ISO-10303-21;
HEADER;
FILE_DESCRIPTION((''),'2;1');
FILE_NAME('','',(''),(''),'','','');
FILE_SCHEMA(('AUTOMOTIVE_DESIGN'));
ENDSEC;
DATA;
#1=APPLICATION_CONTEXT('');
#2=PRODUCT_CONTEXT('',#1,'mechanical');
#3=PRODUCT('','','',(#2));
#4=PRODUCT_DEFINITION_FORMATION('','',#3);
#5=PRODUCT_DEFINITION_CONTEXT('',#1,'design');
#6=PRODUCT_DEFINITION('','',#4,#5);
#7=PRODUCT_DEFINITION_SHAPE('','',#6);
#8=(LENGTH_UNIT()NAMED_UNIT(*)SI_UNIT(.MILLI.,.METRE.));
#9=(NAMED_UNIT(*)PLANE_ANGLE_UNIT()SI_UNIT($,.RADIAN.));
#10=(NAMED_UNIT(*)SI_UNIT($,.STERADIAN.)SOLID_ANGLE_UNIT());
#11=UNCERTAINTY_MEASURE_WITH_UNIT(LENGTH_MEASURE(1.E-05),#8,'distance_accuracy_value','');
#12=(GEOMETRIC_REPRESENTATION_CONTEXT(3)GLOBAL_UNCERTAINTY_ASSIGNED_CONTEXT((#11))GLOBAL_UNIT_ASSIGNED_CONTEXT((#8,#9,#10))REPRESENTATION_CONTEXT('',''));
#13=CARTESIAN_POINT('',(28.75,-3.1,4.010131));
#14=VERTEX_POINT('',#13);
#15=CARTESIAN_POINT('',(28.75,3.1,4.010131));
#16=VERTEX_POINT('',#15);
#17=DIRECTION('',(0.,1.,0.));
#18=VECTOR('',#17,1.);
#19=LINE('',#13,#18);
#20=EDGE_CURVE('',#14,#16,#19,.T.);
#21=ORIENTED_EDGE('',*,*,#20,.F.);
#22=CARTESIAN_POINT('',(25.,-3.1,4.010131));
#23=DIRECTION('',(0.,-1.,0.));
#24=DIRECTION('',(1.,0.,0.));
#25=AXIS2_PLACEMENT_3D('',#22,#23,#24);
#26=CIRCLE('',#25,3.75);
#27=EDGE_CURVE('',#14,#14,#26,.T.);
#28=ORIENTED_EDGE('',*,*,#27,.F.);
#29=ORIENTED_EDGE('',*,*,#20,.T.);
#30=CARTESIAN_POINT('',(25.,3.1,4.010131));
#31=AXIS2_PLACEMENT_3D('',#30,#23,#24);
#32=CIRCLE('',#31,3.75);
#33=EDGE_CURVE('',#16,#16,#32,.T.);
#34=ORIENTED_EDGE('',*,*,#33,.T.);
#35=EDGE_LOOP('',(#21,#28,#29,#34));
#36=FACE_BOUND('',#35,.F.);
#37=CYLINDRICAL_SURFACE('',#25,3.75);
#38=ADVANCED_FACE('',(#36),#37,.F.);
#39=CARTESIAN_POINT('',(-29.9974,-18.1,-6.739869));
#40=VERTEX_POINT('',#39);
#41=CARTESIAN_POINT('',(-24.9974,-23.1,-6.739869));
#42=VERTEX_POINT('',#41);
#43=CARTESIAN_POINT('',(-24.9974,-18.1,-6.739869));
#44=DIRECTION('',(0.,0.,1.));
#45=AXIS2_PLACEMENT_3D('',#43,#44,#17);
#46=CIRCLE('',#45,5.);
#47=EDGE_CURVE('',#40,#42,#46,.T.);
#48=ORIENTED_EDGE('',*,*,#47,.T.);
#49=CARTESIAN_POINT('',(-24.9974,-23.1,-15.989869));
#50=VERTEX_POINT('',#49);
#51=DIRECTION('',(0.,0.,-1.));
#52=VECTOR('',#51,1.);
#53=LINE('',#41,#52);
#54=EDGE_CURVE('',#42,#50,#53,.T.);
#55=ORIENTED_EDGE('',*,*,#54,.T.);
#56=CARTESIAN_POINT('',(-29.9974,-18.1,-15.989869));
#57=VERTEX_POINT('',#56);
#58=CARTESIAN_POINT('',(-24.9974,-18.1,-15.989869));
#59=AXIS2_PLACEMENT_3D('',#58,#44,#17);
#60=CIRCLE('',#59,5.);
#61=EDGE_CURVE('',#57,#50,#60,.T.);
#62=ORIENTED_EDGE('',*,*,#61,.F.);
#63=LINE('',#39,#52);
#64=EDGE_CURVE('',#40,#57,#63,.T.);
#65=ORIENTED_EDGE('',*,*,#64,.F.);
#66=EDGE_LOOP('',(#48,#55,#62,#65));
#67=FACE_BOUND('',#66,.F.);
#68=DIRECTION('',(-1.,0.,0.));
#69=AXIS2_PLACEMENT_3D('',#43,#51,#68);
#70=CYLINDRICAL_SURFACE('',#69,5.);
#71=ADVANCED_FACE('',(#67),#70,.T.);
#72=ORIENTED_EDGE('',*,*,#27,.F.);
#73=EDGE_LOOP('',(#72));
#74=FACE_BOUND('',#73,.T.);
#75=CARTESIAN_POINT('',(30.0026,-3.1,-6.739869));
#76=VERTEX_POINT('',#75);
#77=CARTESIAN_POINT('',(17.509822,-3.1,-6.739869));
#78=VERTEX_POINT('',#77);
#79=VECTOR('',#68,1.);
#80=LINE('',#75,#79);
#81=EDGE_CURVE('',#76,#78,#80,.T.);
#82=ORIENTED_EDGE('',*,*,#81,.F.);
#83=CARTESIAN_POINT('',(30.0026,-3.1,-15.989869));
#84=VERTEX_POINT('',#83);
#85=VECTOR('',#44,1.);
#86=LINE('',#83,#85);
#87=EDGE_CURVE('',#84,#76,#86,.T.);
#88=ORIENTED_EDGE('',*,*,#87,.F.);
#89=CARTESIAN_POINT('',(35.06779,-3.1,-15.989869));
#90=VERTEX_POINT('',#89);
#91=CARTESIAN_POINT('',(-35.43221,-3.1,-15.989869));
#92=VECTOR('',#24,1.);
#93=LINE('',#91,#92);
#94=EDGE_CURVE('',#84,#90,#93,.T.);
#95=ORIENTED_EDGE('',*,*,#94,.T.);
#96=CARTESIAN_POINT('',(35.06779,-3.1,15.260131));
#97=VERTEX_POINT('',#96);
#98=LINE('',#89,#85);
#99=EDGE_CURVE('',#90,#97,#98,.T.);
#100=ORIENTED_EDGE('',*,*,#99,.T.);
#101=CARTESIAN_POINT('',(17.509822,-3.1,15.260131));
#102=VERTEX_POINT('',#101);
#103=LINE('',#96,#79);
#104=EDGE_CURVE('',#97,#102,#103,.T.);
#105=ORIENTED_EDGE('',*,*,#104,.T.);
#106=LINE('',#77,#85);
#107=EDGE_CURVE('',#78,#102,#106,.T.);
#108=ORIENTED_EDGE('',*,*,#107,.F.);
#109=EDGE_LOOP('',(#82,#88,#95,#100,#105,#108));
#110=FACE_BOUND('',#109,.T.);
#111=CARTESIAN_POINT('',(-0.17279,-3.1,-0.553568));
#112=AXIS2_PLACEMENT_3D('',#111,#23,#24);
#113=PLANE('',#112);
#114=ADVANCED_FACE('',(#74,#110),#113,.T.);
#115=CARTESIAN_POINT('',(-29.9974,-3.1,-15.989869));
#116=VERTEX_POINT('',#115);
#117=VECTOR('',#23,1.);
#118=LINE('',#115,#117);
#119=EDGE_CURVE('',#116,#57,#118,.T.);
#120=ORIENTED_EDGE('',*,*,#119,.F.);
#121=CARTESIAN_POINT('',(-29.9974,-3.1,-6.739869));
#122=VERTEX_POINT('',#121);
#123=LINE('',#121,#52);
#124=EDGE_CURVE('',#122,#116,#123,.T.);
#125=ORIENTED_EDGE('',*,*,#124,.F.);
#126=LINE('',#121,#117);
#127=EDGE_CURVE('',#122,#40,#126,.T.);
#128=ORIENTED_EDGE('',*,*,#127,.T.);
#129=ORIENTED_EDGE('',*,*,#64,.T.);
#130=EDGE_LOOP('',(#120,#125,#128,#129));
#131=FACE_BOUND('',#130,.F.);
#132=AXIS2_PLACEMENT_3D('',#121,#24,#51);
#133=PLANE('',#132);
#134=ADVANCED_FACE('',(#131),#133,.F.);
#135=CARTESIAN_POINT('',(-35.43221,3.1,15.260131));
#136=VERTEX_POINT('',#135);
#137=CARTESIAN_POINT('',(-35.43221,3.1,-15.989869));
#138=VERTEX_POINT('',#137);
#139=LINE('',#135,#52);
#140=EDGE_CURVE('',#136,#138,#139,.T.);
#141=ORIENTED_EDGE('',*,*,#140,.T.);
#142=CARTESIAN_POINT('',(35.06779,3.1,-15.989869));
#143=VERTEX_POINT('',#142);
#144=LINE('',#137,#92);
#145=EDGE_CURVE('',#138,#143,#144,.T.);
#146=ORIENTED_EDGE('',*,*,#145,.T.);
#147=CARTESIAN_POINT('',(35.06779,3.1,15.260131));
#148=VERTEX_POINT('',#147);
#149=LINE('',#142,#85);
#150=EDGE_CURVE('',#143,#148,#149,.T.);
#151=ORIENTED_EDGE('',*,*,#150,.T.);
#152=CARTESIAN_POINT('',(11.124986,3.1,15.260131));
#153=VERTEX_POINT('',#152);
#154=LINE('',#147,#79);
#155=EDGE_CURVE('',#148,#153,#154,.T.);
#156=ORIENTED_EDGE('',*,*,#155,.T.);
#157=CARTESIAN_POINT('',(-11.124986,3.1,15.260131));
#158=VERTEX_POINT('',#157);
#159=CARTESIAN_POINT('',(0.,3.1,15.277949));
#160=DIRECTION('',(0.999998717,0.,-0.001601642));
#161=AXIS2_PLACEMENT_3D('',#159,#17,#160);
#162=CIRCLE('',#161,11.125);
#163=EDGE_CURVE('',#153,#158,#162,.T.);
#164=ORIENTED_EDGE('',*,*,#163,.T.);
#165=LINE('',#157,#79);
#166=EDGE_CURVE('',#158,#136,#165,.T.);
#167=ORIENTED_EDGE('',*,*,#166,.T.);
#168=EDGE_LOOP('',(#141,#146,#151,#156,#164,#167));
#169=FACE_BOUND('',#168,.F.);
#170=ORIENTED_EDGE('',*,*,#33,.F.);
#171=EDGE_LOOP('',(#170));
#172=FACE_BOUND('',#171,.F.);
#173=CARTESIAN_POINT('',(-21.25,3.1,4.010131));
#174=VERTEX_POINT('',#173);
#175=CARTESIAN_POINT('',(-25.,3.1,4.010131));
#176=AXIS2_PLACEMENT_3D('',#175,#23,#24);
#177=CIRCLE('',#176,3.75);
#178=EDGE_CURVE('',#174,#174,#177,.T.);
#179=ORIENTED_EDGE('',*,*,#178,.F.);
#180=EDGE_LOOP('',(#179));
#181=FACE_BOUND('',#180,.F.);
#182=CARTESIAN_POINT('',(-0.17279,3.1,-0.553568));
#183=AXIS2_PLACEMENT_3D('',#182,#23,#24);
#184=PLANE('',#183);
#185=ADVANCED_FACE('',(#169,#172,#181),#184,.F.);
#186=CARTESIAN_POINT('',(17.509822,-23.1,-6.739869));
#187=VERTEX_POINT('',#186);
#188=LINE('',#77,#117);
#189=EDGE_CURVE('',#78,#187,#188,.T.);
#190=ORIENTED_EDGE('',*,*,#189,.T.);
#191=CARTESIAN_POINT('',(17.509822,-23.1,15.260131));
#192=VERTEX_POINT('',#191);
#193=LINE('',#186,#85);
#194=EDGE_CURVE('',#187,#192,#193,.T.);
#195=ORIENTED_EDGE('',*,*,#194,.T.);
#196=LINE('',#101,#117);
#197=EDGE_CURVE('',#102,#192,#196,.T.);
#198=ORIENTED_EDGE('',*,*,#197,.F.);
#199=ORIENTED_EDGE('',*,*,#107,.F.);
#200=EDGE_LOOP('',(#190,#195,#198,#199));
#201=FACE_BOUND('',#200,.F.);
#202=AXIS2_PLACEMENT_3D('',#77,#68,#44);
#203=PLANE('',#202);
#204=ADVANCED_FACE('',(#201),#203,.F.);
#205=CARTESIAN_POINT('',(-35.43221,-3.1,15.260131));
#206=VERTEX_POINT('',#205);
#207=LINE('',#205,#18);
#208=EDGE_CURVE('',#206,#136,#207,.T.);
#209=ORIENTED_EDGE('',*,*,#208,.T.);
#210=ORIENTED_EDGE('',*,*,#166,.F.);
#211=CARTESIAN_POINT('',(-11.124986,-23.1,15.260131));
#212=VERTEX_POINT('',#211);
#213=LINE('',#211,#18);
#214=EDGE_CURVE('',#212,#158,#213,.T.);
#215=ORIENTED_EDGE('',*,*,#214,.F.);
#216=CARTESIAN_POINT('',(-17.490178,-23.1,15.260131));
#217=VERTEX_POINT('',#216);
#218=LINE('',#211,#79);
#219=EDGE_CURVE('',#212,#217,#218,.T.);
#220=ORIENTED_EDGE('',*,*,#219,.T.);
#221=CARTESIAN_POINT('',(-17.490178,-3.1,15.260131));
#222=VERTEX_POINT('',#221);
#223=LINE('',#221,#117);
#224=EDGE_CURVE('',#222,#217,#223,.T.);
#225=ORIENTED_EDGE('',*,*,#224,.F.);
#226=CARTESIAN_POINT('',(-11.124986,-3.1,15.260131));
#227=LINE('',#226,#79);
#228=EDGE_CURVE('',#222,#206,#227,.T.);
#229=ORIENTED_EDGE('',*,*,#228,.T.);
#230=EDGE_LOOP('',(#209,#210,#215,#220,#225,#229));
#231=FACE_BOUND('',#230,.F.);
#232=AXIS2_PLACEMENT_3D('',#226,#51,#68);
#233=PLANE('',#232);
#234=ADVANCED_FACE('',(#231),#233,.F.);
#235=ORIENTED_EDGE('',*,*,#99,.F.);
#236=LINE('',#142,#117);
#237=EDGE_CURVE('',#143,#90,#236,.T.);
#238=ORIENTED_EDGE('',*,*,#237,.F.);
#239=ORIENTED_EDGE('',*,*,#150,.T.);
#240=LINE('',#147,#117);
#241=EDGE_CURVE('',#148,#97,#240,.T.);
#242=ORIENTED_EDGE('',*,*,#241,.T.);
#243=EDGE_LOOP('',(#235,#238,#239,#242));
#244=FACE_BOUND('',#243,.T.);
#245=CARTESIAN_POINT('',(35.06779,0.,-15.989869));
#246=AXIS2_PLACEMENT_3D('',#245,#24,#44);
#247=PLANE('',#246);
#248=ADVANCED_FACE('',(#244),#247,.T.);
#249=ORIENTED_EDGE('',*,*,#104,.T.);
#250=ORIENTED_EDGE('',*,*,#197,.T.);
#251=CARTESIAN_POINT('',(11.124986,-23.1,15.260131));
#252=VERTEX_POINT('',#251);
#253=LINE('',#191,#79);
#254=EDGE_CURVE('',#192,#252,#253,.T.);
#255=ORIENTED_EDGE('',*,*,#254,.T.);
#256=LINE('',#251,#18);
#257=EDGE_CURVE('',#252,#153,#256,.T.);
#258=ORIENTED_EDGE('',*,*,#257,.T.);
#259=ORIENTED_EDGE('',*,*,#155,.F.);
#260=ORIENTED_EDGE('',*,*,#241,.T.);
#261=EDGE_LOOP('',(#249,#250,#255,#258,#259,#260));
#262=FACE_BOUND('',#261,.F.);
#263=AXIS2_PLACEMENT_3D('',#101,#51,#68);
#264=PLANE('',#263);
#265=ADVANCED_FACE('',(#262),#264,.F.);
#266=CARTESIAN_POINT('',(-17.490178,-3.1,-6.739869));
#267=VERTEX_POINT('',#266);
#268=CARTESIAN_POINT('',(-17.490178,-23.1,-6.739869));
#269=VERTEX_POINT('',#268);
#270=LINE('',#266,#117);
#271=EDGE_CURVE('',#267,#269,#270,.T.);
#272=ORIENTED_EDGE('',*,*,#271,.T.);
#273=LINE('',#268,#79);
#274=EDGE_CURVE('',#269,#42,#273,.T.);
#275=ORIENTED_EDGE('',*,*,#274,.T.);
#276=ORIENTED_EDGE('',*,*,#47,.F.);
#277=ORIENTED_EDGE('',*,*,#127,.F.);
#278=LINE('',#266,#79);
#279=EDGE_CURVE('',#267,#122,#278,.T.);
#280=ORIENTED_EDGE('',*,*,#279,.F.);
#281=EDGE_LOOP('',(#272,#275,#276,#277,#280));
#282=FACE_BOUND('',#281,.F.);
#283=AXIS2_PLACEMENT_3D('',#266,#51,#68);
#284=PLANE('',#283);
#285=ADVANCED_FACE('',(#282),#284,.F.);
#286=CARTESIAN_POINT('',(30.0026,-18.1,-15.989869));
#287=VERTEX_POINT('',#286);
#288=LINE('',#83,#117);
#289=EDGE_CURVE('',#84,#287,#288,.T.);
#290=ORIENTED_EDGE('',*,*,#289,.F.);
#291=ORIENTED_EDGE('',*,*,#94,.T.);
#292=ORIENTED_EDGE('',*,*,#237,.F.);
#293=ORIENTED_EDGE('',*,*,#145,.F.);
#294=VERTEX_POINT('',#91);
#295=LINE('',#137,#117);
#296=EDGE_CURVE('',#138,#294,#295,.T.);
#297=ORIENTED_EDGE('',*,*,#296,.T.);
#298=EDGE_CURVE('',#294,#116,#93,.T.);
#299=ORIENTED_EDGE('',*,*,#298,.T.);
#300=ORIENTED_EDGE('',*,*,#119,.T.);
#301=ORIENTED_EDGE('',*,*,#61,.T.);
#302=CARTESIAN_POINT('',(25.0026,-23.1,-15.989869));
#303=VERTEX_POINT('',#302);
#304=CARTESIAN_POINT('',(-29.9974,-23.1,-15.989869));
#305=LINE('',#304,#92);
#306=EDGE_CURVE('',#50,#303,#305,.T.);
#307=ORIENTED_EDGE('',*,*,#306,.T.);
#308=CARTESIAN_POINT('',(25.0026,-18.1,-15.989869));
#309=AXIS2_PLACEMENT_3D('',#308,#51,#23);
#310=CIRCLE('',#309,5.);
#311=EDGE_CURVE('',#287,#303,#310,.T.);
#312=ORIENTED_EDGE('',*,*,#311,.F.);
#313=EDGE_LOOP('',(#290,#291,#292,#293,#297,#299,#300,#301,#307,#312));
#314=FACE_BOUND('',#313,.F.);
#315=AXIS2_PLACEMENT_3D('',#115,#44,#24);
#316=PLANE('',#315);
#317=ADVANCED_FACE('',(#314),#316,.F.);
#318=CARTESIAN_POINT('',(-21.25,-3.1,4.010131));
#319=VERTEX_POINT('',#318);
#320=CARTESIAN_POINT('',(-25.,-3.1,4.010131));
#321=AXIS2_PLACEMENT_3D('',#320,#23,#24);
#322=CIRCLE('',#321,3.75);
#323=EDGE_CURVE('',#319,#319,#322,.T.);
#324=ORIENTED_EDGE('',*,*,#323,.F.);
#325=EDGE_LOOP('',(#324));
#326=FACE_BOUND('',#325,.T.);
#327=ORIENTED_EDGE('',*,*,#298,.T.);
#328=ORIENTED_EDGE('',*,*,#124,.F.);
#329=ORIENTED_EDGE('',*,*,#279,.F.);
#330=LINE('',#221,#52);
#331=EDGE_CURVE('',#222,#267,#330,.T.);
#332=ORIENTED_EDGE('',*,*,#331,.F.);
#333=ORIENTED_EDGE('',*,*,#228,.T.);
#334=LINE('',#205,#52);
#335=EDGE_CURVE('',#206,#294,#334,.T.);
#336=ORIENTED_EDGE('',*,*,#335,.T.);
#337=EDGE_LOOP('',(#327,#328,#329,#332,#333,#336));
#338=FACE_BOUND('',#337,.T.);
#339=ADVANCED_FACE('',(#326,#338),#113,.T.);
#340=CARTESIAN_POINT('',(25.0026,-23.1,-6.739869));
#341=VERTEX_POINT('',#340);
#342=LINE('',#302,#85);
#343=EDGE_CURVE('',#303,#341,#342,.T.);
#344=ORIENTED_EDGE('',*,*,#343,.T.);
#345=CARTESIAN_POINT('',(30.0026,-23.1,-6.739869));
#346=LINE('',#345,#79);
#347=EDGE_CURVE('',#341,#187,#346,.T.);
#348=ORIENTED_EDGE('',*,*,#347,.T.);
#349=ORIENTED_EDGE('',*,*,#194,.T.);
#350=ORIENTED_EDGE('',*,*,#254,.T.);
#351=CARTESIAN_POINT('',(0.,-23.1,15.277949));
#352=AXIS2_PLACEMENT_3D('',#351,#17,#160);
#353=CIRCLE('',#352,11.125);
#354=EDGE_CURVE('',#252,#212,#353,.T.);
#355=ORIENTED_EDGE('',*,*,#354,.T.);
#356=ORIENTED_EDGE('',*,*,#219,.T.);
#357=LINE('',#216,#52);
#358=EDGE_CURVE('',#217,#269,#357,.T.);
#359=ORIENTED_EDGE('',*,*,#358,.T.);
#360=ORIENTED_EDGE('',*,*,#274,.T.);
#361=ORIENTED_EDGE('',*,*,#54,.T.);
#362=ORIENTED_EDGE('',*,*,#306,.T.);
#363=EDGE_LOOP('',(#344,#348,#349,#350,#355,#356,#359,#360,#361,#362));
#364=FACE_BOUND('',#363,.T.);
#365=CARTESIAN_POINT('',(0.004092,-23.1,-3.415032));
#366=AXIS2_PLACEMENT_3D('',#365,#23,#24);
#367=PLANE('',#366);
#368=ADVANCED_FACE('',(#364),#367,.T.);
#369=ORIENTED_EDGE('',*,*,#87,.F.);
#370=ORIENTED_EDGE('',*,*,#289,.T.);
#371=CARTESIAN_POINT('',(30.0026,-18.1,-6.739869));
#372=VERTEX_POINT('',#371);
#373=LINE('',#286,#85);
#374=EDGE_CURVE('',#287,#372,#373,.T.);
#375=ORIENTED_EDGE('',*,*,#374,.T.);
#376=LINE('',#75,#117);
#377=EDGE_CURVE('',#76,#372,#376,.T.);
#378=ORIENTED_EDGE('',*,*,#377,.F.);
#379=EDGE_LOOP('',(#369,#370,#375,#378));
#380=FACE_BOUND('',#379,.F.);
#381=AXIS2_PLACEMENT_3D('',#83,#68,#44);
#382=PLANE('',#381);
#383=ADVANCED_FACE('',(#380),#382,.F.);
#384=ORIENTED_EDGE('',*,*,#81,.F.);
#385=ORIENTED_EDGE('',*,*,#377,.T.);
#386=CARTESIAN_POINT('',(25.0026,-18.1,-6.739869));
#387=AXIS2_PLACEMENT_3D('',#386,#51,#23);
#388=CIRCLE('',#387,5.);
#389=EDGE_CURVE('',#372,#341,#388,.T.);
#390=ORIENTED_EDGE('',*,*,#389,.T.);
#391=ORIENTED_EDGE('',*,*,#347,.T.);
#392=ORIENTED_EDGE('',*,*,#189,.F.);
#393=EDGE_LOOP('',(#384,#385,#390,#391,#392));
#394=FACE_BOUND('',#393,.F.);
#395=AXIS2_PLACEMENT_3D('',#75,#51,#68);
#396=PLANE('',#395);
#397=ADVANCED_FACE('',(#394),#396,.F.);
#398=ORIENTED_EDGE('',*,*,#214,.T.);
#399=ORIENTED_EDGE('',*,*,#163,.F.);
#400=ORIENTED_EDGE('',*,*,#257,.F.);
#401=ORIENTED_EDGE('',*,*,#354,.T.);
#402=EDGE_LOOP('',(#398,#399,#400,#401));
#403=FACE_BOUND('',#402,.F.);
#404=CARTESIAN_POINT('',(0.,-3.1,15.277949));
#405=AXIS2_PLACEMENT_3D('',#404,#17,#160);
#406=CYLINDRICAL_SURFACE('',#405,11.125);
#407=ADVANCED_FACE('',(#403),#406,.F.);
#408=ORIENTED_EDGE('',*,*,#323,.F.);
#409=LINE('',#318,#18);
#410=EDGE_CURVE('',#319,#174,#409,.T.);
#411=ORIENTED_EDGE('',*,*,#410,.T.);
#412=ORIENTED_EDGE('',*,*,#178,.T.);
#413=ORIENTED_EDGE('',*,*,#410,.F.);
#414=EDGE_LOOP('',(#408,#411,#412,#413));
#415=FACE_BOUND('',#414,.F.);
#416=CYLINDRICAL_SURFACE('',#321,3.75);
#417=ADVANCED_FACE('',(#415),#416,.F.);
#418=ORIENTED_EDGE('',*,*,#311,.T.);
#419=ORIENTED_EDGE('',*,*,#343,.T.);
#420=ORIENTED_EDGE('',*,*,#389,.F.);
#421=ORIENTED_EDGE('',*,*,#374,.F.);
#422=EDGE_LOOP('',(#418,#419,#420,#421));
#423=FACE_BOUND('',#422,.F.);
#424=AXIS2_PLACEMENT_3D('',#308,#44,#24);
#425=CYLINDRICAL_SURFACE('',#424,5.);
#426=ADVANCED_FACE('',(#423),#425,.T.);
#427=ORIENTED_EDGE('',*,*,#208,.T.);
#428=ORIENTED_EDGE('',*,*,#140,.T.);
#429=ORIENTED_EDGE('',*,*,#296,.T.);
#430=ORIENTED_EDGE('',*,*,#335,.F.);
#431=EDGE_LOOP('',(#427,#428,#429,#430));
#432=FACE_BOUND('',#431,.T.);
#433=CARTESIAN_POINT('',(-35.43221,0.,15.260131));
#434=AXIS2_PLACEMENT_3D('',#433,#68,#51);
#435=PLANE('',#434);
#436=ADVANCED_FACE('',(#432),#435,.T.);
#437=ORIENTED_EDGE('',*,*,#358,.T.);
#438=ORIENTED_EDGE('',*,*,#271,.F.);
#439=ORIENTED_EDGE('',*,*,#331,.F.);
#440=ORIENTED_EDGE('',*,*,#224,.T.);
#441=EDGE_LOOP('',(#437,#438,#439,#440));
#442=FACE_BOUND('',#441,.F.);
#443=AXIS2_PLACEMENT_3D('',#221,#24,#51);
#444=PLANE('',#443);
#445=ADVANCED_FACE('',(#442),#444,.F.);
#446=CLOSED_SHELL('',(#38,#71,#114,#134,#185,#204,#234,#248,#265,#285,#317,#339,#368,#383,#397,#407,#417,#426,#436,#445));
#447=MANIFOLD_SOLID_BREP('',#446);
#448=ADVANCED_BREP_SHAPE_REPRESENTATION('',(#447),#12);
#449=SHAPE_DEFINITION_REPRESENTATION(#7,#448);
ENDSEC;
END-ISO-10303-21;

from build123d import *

# Parameters (mm, degrees)
F1_DEPTH = 3.1
F3_DEPTH = 20
F4_R     = 5
F5_R     = 3.75
F6_DEPTH = 25.4


with BuildPart() as f1:
    # F0 (on Front) → F1 (new body, symmetric)
    with BuildSketch(Plane.XZ):
        with BuildLine():
            Line((-35.43221, 15.260131), (-35.43221, -15.989869))
            Line((-35.43221, -15.989869), (35.06779, -15.989869))
            Line((35.06779, -15.989869), (35.06779, 15.260131))
            Line((35.06779, 15.260131), (11.124986, 15.260131))
            ThreePointArc((11.124986, 15.260131), (0, 4.152949), (-11.124986, 15.260131))
            Line((-11.124986, 15.260131), (-35.43221, 15.260131))
        make_face()
    extrude(amount=F1_DEPTH, both=True)

    # F2 (on face) → F3 (join)
    with BuildSketch(Plane.XZ.offset(3.1)):
        with BuildLine():
            Line((-11.124986, 15.260131), (-17.490178, 15.260131))
            Line((-17.490178, 15.260131), (-17.490178, -6.739869))
            Line((-17.490178, -6.739869), (-29.9974, -6.739869))
            Line((-29.9974, -6.739869), (-29.9974, -15.989869))
            Line((-29.9974, -15.989869), (30.0026, -15.989869))
            Line((30.0026, -15.989869), (30.0026, -6.739869))
            Line((30.0026, -6.739869), (17.509822, -6.739869))
            Line((17.509822, -6.739869), (17.509822, 15.260131))
            Line((17.509822, 15.260131), (11.124986, 15.260131))
            ThreePointArc((11.124986, 15.260131), (0, 4.152949), (-11.124986, 15.260131))
        make_face()
    extrude(amount=F3_DEPTH)

    # F4
    f4_edges = [f1.edges().sort_by_distance(p)[0] for p in [
        (-29.9974, -23.1, -11.364869),
        (30.0026, -23.1, -11.364869),
    ]]
    fillet(f4_edges, radius=F4_R)

    # F5 (on face) → F6 (cut)
    with BuildSketch(Plane.XZ.offset(3.1)):
        with Locations((-25, 4.010131)):
            Circle(F5_R)
        with Locations((25, 4.010131)):
            Circle(F5_R)
    extrude(amount=-F6_DEPTH, mode=Mode.SUBTRACT)


solid = f1.part
